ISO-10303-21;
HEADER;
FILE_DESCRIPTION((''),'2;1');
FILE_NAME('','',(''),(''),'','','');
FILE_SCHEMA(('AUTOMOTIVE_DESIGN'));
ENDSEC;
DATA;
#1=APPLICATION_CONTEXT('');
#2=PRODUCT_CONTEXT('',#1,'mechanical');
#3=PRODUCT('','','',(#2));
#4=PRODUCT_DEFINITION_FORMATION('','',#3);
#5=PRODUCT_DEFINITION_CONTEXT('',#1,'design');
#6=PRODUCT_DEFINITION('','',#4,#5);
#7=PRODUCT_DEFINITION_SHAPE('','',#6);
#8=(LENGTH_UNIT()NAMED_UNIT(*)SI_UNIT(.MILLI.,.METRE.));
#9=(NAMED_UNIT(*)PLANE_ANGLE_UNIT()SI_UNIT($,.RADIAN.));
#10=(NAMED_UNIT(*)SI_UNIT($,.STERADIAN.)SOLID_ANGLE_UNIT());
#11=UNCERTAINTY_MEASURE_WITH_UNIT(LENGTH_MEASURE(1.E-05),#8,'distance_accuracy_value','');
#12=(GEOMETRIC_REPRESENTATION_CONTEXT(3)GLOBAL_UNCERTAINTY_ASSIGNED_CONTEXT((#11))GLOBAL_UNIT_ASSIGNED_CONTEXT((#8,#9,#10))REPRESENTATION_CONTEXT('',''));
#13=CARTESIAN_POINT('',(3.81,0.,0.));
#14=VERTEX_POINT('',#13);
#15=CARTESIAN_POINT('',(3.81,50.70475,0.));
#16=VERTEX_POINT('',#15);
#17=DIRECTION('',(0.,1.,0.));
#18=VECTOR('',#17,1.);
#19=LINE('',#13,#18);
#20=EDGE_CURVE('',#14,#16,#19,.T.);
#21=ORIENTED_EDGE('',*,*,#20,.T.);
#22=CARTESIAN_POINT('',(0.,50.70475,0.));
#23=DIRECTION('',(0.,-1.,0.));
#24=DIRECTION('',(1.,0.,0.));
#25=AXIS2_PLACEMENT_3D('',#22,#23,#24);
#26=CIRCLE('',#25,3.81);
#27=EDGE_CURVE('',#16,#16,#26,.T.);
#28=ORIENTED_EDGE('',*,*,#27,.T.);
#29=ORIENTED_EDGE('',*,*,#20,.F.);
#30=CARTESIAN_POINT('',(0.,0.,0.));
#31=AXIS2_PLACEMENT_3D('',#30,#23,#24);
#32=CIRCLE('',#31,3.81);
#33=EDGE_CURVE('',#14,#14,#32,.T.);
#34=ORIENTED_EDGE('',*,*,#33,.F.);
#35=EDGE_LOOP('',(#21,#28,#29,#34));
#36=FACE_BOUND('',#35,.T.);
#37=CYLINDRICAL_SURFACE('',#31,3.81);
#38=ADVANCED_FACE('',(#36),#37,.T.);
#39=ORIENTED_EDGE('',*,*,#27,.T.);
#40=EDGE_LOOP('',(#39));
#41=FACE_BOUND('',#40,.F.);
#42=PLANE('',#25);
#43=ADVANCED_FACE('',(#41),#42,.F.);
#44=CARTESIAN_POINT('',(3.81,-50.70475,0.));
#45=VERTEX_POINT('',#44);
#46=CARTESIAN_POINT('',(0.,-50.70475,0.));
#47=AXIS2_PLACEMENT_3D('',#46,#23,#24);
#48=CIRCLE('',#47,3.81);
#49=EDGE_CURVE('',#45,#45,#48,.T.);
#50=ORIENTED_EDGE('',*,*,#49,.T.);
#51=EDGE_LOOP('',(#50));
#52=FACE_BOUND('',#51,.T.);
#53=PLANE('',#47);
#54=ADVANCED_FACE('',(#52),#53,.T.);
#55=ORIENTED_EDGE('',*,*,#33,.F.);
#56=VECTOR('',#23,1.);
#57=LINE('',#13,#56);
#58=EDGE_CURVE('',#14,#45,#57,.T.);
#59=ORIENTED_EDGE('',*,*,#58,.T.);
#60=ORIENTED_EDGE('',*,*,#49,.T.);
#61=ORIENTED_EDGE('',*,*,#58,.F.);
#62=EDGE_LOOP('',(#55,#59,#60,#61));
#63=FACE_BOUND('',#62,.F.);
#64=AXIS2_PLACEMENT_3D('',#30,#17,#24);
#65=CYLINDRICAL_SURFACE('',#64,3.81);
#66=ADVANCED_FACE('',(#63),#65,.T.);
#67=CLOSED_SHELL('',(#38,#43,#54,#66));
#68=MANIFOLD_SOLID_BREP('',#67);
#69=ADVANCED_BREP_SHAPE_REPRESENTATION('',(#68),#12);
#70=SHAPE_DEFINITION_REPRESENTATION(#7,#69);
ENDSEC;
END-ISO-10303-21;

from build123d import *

# Parameters (mm, degrees)
F0_R          = 3.81
F1_DEPTH      = 50.70475
F1_DEPTH_BACK = 50.70475


with BuildPart() as f1:
    # F0 (on Front) → F1 (new body, two sides)
    with BuildSketch(Plane.XZ) as f1_sk:
        Circle(F0_R)
    extrude(amount=-F1_DEPTH)
    extrude(f1_sk.sketch, amount=F1_DEPTH_BACK)


solid = f1.part
